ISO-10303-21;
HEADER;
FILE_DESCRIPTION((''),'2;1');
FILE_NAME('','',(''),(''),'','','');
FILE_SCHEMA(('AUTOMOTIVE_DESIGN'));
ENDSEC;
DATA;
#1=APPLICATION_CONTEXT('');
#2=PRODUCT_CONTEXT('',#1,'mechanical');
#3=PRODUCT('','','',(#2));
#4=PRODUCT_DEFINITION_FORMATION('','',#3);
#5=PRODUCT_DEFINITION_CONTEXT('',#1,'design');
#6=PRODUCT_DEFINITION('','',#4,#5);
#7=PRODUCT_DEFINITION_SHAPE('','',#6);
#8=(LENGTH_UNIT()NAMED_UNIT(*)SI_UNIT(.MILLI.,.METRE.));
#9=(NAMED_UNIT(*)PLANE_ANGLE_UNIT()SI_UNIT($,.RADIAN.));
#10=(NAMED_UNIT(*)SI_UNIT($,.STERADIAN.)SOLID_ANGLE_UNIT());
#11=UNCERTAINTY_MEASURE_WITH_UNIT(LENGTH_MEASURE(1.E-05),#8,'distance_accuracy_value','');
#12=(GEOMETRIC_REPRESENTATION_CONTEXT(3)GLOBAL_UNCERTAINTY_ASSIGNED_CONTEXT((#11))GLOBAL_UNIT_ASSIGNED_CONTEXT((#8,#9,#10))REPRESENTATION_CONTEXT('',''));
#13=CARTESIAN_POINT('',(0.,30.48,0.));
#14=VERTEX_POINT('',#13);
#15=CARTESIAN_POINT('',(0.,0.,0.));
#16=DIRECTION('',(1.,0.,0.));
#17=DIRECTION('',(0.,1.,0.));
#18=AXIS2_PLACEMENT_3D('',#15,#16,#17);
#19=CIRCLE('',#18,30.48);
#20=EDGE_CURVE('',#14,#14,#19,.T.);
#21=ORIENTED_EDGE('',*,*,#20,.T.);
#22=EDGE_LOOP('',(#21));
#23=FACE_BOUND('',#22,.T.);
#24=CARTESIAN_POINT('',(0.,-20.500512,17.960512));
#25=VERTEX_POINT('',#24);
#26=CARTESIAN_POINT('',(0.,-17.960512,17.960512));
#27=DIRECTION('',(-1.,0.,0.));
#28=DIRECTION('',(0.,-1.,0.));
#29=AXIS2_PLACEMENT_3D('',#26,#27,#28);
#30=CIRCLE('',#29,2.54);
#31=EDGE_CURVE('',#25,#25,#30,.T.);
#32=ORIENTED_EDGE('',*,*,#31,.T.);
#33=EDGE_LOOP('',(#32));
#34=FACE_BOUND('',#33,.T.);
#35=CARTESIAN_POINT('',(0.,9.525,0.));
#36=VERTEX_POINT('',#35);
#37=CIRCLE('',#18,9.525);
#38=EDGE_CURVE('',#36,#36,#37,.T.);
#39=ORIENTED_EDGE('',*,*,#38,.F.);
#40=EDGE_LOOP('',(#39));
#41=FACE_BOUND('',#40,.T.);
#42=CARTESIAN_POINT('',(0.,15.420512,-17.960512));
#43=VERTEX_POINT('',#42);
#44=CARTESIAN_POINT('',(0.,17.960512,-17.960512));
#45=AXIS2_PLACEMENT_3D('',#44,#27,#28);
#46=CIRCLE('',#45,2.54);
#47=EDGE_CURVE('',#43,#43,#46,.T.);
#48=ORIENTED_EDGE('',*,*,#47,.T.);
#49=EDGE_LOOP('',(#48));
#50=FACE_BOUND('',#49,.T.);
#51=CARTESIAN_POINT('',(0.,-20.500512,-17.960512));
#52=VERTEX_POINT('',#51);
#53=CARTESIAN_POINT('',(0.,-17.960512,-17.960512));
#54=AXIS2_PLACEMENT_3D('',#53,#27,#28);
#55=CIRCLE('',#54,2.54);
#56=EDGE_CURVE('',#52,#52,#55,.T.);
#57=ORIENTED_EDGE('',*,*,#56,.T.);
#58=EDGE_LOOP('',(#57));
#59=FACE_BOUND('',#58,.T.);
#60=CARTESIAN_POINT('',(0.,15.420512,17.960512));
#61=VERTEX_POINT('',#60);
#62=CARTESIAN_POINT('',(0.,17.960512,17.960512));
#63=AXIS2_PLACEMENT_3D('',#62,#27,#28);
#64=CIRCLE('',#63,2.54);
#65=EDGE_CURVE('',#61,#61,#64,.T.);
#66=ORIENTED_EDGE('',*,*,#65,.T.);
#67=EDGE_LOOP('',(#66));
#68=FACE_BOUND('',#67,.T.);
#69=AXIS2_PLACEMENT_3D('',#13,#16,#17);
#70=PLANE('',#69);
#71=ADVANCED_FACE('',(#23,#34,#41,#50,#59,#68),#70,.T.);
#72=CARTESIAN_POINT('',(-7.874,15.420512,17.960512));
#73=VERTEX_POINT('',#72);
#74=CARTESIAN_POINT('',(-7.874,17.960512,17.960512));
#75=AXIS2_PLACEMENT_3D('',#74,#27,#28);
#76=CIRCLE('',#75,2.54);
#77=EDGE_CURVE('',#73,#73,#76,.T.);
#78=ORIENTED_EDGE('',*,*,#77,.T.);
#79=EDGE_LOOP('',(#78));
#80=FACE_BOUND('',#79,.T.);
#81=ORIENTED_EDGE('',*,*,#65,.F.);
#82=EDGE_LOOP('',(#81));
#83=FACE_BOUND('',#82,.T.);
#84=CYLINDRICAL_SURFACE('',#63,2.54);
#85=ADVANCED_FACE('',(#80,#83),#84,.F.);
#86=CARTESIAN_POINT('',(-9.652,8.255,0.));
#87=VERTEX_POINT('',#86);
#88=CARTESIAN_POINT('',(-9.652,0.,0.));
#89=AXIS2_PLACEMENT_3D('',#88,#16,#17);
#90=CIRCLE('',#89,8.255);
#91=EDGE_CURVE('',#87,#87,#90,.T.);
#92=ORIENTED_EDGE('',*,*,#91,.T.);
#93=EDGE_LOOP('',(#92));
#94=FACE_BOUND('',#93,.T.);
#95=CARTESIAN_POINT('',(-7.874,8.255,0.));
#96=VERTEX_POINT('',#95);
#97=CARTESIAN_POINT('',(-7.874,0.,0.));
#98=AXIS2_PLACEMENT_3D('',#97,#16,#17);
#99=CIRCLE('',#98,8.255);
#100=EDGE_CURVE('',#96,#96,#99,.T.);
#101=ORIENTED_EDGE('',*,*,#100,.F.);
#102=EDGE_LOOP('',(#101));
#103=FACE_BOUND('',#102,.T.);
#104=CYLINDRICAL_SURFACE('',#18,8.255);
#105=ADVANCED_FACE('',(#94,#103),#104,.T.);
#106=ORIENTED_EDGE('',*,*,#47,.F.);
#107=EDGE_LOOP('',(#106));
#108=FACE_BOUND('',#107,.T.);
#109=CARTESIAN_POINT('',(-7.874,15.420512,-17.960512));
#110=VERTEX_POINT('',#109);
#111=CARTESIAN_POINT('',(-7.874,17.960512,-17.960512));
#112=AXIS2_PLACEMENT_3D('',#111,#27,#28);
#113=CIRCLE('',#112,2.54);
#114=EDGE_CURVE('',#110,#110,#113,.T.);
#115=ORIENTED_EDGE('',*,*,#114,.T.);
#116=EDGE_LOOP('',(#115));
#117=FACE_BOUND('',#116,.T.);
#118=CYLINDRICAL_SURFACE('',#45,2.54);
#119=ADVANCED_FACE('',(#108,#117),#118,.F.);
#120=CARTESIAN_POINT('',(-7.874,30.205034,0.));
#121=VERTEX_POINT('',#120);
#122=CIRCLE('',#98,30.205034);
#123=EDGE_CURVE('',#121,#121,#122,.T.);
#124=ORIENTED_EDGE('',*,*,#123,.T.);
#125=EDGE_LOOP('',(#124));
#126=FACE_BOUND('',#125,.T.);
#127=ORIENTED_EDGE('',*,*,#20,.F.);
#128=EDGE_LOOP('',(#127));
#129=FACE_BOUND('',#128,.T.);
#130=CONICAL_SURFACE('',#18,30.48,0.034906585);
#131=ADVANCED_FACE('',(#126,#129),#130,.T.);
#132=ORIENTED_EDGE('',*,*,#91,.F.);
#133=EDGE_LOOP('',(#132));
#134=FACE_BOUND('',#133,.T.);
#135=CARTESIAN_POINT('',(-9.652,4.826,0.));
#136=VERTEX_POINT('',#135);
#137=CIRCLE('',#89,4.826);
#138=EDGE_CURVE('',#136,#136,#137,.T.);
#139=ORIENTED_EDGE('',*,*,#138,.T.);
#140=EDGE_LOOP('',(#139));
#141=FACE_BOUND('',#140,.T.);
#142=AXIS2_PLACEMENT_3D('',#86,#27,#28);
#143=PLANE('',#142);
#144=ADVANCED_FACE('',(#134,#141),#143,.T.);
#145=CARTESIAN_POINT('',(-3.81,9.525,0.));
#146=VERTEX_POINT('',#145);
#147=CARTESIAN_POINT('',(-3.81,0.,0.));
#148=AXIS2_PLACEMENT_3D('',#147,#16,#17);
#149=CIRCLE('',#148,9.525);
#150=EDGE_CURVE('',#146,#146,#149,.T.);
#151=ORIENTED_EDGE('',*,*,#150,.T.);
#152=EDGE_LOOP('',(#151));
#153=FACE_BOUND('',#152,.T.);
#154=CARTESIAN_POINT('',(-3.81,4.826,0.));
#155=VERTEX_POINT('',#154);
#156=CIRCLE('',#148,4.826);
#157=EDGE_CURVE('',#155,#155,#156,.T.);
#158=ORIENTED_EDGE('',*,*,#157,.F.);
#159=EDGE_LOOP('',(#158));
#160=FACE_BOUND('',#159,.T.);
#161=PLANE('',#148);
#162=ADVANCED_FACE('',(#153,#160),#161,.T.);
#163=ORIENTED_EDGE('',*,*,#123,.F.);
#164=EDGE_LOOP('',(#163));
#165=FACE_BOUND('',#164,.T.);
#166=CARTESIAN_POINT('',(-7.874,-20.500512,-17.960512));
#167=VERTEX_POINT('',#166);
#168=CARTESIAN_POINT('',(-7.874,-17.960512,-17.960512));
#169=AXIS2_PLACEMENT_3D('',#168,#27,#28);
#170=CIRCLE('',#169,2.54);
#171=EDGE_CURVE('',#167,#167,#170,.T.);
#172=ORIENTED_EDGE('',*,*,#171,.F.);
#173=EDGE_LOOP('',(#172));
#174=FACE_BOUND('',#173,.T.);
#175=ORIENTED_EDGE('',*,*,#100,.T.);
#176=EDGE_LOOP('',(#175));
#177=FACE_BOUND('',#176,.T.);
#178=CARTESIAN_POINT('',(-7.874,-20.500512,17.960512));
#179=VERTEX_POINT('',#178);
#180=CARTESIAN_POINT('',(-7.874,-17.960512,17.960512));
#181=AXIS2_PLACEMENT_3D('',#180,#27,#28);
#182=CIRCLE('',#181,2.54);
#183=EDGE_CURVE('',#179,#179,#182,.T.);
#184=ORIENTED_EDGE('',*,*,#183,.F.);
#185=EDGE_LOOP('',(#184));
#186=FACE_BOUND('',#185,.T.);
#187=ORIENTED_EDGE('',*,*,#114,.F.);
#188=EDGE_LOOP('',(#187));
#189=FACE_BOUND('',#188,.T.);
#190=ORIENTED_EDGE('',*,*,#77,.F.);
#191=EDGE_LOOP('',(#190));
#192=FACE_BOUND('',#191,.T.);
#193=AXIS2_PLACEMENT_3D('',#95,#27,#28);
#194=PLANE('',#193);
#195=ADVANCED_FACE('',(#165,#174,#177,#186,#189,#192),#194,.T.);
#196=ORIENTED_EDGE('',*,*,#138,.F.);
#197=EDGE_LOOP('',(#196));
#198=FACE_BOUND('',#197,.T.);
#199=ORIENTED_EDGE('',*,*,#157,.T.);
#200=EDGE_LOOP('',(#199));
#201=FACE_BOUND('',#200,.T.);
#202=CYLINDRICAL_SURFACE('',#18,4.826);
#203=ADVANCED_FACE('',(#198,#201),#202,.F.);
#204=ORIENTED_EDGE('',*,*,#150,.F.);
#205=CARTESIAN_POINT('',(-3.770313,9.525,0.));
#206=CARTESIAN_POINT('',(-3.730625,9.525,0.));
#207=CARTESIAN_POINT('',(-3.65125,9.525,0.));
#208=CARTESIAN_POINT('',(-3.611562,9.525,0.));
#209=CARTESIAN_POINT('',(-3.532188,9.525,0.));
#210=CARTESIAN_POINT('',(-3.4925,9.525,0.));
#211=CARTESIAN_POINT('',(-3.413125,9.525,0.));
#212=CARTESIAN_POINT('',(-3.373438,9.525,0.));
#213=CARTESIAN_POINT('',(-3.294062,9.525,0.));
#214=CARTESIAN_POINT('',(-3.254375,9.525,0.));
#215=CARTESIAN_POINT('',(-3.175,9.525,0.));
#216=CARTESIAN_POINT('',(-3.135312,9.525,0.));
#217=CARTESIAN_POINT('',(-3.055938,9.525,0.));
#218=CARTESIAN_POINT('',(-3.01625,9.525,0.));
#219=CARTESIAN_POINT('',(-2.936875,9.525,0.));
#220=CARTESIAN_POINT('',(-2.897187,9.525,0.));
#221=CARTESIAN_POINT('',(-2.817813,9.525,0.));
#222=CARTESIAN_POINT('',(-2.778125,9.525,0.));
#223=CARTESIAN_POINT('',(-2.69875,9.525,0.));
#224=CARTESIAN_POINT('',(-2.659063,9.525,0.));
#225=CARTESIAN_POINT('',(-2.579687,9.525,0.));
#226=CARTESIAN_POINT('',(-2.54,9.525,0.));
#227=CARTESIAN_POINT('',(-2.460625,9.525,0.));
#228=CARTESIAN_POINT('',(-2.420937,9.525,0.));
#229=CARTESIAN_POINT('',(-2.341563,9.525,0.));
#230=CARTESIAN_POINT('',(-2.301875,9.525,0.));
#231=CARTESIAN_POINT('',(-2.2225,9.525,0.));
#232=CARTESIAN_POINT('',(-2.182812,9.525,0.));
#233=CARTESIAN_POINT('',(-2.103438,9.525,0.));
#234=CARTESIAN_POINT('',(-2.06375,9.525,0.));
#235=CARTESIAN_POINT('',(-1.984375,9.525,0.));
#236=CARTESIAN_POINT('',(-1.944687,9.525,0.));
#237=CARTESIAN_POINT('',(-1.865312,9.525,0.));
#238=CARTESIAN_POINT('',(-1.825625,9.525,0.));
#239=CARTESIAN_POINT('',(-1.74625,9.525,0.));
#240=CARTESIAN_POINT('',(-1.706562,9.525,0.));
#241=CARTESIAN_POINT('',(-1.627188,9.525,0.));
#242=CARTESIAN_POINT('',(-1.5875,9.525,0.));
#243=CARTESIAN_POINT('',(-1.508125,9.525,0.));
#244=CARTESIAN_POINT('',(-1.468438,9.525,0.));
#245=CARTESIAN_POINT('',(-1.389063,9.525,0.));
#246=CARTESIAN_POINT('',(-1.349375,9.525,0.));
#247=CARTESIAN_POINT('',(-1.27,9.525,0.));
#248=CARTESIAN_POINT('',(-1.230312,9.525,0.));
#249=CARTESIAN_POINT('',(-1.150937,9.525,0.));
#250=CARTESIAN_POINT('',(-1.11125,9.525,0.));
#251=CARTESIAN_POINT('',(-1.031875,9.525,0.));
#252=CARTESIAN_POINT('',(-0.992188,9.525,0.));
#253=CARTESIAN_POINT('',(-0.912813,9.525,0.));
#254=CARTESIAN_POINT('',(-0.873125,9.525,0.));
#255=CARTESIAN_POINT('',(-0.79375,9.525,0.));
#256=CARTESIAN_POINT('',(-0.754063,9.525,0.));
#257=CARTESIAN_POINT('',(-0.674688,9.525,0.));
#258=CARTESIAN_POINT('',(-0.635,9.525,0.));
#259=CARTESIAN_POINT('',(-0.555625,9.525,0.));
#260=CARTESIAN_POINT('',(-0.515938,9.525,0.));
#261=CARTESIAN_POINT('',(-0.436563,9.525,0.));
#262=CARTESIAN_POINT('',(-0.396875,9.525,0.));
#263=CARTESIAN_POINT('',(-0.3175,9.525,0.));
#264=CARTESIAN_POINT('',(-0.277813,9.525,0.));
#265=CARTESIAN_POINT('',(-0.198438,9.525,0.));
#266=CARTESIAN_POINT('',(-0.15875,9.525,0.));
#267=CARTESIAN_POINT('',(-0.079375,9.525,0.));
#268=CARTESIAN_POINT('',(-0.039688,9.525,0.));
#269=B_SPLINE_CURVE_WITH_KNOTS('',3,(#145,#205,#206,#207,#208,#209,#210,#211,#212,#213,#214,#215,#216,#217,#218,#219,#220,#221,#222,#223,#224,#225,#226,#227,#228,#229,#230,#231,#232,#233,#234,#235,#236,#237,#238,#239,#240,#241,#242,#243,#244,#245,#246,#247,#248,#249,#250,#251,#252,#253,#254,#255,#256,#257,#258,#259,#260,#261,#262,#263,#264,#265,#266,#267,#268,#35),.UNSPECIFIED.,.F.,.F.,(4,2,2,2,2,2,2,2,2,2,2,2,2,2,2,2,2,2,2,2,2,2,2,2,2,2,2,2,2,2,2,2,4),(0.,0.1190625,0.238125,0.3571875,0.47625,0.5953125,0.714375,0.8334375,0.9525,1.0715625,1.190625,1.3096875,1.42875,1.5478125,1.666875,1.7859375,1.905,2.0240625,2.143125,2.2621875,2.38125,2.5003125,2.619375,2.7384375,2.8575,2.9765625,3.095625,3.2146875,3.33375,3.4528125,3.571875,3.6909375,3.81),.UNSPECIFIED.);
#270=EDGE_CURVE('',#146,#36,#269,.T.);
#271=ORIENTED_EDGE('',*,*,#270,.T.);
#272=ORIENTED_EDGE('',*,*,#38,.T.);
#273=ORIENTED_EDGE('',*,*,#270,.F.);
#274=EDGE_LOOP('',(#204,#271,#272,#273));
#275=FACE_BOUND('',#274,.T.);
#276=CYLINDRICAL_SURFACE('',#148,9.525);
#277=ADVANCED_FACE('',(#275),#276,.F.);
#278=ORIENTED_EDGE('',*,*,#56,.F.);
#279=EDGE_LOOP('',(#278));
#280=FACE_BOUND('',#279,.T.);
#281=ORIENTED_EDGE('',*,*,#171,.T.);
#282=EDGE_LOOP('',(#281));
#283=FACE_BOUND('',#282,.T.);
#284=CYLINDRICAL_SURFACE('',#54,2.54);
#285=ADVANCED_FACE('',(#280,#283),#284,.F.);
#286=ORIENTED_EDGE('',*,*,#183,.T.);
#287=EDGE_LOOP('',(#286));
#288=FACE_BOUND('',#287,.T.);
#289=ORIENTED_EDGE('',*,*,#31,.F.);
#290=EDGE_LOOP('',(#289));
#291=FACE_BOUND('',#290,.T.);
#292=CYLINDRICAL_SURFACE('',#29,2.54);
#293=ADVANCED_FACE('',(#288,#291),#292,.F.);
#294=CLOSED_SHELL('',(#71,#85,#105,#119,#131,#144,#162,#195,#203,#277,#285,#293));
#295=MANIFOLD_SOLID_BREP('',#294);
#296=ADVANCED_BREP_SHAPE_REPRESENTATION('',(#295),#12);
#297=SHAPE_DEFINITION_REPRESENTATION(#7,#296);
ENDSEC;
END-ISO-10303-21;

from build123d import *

# Parameters (mm, degrees)
SKETCH2_R          = 2.54
CUT_EXTRUDE1_DEPTH = 44.818496962
SKETCH3_R          = 9.525
CUT_EXTRUDE2_DEPTH = 3.81


with BuildPart() as part:
    # Sketch1 → Revolve1 (revolve)
    with BuildSketch(Plane.XY):
        Polygon((-7.874, 8.255), (-7.874, 30.205033861), (0, 30.48), (0, 4.826), (-9.652, 4.826), (-9.652, 8.255), align=None)
    revolve(axis=Axis((0, 0, 0), (-1, 0, 0)))

    # Sketch2 → Cut-Extrude1 (cut, through all)
    with BuildSketch(Plane.ZY.offset(7.874)):
        with Locations(Location((-17.960512242, 17.960512242, 0), (0, 0, 270))):
            Circle(SKETCH2_R)
        with Locations(Location((17.960512242, 17.960512242, 0), (0, 0, 270))):
            Circle(SKETCH2_R)
        with Locations(Location((17.960512242, -17.960512242, 0), (0, 0, 270))):
            Circle(SKETCH2_R)
        with Locations(Location((-17.960512242, -17.960512242, 0), (0, 0, 270))):
            Circle(SKETCH2_R)
    extrude(amount=-CUT_EXTRUDE1_DEPTH, mode=Mode.SUBTRACT)

    # Sketch3 → Cut-Extrude2 (cut)
    with BuildSketch(Plane(origin=(0, 0, 0), x_dir=(0, 0, -1), z_dir=(1, 0, 0))):
        with Locations(Location((0, 0, 0), (0, 0, 90))):
            Circle(SKETCH3_R)
    extrude(amount=-CUT_EXTRUDE2_DEPTH, mode=Mode.SUBTRACT)


solid = part.part
